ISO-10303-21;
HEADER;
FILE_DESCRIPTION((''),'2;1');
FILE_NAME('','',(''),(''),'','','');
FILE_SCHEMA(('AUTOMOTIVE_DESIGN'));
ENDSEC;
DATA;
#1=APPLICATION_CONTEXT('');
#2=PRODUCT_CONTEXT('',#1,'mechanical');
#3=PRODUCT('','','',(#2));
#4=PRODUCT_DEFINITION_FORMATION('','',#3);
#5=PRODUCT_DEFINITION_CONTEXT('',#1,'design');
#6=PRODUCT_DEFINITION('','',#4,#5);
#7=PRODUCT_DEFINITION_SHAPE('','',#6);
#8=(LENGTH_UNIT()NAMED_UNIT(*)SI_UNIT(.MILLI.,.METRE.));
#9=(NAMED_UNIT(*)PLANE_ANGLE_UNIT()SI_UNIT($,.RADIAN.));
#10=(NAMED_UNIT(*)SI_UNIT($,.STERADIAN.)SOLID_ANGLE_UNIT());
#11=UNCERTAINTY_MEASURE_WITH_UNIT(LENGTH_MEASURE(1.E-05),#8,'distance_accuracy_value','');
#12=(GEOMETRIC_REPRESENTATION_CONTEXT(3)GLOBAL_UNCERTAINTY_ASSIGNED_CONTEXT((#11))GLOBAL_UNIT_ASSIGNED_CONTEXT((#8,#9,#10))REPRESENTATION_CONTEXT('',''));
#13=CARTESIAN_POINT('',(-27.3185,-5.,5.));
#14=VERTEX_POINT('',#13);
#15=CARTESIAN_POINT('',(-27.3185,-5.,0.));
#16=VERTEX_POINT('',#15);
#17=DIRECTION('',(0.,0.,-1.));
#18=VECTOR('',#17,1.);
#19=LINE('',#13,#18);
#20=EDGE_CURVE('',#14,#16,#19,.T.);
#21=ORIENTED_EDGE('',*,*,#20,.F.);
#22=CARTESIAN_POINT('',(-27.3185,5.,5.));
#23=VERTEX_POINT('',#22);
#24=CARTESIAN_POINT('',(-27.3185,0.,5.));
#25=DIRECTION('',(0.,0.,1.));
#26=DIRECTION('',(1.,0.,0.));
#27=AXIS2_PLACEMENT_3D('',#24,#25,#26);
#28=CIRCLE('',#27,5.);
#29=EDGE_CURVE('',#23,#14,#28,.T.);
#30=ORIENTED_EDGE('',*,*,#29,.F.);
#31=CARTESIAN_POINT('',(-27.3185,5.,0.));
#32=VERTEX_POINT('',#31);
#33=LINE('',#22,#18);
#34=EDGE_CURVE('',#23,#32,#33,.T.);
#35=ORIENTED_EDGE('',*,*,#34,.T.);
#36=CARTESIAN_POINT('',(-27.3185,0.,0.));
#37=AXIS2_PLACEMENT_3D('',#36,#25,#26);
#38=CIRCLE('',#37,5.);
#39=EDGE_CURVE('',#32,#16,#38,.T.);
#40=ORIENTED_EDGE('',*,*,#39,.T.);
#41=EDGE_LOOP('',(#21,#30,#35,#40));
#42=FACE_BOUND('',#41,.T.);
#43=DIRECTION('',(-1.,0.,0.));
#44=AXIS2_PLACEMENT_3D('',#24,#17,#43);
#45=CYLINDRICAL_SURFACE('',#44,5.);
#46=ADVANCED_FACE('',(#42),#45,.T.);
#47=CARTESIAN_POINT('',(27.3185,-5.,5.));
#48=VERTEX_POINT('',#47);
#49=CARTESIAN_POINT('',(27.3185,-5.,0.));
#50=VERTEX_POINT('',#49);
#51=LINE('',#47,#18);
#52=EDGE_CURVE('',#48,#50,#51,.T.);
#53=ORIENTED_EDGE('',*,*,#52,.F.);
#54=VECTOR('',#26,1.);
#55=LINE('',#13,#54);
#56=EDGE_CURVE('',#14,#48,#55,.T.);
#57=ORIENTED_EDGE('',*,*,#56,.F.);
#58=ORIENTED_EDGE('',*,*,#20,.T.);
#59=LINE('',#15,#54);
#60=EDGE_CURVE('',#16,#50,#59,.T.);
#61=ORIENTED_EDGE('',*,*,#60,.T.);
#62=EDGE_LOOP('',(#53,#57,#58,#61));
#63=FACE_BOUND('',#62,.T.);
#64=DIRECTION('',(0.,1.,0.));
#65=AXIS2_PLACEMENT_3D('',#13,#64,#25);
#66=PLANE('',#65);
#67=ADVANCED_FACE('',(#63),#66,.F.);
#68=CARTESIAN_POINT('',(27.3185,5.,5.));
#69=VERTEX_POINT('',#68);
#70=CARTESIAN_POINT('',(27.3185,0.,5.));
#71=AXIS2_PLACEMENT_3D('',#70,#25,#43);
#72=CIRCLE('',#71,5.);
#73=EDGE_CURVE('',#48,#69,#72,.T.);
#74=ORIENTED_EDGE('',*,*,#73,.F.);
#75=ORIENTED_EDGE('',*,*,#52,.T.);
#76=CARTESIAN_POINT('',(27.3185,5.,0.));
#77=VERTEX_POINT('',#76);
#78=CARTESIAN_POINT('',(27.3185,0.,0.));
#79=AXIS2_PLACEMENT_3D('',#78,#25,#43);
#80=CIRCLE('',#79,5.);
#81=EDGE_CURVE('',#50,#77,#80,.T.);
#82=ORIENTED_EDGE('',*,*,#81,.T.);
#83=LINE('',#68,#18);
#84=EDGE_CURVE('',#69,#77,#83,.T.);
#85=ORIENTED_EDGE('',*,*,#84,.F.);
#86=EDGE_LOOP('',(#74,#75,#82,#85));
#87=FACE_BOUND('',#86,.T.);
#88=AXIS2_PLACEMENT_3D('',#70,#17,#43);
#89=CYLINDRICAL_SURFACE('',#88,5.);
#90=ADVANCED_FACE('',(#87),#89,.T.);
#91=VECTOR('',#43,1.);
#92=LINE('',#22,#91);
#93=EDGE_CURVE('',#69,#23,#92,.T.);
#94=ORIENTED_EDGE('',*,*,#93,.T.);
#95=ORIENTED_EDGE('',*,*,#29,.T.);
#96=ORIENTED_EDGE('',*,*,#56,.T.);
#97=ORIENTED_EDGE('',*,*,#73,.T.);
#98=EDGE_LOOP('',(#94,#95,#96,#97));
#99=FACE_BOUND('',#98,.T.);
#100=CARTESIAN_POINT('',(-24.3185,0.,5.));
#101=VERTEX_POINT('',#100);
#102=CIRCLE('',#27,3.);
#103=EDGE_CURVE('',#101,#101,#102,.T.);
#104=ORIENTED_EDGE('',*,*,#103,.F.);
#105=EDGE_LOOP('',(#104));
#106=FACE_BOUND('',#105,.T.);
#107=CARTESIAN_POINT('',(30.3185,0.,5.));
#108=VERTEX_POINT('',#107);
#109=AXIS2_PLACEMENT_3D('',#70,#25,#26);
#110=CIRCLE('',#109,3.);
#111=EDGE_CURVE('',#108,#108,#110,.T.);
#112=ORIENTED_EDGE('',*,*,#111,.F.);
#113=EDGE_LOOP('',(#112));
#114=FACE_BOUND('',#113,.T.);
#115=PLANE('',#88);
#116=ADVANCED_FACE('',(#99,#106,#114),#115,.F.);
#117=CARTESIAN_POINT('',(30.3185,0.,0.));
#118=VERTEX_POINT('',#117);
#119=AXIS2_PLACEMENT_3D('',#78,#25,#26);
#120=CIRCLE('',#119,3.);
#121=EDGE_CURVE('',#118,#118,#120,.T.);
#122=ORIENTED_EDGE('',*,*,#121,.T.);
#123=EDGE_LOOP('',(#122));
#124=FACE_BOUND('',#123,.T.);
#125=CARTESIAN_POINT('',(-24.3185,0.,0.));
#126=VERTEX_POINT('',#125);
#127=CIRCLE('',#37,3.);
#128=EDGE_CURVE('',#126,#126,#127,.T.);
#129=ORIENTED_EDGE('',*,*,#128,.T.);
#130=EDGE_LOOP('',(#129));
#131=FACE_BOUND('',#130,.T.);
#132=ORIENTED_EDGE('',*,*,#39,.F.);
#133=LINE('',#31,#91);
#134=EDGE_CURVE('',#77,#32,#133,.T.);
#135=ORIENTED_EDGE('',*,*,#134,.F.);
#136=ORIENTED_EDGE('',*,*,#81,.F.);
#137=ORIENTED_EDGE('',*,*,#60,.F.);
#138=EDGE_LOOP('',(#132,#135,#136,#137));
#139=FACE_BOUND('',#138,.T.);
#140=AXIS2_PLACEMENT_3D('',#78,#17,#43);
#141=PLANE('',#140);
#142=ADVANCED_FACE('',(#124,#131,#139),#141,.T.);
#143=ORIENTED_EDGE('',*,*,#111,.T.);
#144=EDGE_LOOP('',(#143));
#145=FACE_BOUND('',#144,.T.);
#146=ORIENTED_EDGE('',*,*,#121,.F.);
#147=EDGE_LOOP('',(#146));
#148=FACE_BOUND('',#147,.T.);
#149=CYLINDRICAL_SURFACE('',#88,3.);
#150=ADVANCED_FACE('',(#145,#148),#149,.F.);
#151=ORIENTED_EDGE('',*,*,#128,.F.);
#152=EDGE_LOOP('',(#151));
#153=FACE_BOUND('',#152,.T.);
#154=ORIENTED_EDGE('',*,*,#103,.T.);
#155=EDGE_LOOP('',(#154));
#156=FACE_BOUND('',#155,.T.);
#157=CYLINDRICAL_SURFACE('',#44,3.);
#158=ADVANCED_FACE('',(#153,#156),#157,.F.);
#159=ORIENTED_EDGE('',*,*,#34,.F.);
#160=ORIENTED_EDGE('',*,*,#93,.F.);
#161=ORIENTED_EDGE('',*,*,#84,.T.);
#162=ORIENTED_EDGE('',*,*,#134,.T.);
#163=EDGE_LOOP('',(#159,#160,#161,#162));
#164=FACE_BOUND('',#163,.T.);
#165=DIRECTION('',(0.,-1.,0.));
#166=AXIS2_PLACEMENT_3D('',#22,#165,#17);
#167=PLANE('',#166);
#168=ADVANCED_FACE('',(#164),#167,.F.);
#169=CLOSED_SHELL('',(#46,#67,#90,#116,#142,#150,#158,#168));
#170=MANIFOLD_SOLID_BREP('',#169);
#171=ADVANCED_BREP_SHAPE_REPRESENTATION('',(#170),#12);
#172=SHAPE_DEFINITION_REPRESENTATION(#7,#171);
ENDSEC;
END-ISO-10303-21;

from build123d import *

# Parameters (mm, degrees)
ESBO_O1_R                = 3
RESSALTO_EXTRUS_O1_DEPTH = 5


with BuildPart() as part:
    # Esboço1 → Ressalto-extrusão1 (new body)
    with BuildSketch(Plane.XY):
        with BuildLine():
            Line((-27.3185, 5), (27.3185, 5))
            ThreePointArc((27.3185, 5), (32.3185, 0), (27.3185, -5))
            Line((27.3185, -5), (-27.3185, -5))
            ThreePointArc((-27.3185, -5), (-32.3185, 0), (-27.3185, 5))
        make_face()
        with Locations((-27.3185, 0)):
            Circle(ESBO_O1_R, mode=Mode.SUBTRACT)
        with Locations((27.3185, 0)):
            Circle(ESBO_O1_R, mode=Mode.SUBTRACT)
    extrude(amount=RESSALTO_EXTRUS_O1_DEPTH)


solid = part.part
